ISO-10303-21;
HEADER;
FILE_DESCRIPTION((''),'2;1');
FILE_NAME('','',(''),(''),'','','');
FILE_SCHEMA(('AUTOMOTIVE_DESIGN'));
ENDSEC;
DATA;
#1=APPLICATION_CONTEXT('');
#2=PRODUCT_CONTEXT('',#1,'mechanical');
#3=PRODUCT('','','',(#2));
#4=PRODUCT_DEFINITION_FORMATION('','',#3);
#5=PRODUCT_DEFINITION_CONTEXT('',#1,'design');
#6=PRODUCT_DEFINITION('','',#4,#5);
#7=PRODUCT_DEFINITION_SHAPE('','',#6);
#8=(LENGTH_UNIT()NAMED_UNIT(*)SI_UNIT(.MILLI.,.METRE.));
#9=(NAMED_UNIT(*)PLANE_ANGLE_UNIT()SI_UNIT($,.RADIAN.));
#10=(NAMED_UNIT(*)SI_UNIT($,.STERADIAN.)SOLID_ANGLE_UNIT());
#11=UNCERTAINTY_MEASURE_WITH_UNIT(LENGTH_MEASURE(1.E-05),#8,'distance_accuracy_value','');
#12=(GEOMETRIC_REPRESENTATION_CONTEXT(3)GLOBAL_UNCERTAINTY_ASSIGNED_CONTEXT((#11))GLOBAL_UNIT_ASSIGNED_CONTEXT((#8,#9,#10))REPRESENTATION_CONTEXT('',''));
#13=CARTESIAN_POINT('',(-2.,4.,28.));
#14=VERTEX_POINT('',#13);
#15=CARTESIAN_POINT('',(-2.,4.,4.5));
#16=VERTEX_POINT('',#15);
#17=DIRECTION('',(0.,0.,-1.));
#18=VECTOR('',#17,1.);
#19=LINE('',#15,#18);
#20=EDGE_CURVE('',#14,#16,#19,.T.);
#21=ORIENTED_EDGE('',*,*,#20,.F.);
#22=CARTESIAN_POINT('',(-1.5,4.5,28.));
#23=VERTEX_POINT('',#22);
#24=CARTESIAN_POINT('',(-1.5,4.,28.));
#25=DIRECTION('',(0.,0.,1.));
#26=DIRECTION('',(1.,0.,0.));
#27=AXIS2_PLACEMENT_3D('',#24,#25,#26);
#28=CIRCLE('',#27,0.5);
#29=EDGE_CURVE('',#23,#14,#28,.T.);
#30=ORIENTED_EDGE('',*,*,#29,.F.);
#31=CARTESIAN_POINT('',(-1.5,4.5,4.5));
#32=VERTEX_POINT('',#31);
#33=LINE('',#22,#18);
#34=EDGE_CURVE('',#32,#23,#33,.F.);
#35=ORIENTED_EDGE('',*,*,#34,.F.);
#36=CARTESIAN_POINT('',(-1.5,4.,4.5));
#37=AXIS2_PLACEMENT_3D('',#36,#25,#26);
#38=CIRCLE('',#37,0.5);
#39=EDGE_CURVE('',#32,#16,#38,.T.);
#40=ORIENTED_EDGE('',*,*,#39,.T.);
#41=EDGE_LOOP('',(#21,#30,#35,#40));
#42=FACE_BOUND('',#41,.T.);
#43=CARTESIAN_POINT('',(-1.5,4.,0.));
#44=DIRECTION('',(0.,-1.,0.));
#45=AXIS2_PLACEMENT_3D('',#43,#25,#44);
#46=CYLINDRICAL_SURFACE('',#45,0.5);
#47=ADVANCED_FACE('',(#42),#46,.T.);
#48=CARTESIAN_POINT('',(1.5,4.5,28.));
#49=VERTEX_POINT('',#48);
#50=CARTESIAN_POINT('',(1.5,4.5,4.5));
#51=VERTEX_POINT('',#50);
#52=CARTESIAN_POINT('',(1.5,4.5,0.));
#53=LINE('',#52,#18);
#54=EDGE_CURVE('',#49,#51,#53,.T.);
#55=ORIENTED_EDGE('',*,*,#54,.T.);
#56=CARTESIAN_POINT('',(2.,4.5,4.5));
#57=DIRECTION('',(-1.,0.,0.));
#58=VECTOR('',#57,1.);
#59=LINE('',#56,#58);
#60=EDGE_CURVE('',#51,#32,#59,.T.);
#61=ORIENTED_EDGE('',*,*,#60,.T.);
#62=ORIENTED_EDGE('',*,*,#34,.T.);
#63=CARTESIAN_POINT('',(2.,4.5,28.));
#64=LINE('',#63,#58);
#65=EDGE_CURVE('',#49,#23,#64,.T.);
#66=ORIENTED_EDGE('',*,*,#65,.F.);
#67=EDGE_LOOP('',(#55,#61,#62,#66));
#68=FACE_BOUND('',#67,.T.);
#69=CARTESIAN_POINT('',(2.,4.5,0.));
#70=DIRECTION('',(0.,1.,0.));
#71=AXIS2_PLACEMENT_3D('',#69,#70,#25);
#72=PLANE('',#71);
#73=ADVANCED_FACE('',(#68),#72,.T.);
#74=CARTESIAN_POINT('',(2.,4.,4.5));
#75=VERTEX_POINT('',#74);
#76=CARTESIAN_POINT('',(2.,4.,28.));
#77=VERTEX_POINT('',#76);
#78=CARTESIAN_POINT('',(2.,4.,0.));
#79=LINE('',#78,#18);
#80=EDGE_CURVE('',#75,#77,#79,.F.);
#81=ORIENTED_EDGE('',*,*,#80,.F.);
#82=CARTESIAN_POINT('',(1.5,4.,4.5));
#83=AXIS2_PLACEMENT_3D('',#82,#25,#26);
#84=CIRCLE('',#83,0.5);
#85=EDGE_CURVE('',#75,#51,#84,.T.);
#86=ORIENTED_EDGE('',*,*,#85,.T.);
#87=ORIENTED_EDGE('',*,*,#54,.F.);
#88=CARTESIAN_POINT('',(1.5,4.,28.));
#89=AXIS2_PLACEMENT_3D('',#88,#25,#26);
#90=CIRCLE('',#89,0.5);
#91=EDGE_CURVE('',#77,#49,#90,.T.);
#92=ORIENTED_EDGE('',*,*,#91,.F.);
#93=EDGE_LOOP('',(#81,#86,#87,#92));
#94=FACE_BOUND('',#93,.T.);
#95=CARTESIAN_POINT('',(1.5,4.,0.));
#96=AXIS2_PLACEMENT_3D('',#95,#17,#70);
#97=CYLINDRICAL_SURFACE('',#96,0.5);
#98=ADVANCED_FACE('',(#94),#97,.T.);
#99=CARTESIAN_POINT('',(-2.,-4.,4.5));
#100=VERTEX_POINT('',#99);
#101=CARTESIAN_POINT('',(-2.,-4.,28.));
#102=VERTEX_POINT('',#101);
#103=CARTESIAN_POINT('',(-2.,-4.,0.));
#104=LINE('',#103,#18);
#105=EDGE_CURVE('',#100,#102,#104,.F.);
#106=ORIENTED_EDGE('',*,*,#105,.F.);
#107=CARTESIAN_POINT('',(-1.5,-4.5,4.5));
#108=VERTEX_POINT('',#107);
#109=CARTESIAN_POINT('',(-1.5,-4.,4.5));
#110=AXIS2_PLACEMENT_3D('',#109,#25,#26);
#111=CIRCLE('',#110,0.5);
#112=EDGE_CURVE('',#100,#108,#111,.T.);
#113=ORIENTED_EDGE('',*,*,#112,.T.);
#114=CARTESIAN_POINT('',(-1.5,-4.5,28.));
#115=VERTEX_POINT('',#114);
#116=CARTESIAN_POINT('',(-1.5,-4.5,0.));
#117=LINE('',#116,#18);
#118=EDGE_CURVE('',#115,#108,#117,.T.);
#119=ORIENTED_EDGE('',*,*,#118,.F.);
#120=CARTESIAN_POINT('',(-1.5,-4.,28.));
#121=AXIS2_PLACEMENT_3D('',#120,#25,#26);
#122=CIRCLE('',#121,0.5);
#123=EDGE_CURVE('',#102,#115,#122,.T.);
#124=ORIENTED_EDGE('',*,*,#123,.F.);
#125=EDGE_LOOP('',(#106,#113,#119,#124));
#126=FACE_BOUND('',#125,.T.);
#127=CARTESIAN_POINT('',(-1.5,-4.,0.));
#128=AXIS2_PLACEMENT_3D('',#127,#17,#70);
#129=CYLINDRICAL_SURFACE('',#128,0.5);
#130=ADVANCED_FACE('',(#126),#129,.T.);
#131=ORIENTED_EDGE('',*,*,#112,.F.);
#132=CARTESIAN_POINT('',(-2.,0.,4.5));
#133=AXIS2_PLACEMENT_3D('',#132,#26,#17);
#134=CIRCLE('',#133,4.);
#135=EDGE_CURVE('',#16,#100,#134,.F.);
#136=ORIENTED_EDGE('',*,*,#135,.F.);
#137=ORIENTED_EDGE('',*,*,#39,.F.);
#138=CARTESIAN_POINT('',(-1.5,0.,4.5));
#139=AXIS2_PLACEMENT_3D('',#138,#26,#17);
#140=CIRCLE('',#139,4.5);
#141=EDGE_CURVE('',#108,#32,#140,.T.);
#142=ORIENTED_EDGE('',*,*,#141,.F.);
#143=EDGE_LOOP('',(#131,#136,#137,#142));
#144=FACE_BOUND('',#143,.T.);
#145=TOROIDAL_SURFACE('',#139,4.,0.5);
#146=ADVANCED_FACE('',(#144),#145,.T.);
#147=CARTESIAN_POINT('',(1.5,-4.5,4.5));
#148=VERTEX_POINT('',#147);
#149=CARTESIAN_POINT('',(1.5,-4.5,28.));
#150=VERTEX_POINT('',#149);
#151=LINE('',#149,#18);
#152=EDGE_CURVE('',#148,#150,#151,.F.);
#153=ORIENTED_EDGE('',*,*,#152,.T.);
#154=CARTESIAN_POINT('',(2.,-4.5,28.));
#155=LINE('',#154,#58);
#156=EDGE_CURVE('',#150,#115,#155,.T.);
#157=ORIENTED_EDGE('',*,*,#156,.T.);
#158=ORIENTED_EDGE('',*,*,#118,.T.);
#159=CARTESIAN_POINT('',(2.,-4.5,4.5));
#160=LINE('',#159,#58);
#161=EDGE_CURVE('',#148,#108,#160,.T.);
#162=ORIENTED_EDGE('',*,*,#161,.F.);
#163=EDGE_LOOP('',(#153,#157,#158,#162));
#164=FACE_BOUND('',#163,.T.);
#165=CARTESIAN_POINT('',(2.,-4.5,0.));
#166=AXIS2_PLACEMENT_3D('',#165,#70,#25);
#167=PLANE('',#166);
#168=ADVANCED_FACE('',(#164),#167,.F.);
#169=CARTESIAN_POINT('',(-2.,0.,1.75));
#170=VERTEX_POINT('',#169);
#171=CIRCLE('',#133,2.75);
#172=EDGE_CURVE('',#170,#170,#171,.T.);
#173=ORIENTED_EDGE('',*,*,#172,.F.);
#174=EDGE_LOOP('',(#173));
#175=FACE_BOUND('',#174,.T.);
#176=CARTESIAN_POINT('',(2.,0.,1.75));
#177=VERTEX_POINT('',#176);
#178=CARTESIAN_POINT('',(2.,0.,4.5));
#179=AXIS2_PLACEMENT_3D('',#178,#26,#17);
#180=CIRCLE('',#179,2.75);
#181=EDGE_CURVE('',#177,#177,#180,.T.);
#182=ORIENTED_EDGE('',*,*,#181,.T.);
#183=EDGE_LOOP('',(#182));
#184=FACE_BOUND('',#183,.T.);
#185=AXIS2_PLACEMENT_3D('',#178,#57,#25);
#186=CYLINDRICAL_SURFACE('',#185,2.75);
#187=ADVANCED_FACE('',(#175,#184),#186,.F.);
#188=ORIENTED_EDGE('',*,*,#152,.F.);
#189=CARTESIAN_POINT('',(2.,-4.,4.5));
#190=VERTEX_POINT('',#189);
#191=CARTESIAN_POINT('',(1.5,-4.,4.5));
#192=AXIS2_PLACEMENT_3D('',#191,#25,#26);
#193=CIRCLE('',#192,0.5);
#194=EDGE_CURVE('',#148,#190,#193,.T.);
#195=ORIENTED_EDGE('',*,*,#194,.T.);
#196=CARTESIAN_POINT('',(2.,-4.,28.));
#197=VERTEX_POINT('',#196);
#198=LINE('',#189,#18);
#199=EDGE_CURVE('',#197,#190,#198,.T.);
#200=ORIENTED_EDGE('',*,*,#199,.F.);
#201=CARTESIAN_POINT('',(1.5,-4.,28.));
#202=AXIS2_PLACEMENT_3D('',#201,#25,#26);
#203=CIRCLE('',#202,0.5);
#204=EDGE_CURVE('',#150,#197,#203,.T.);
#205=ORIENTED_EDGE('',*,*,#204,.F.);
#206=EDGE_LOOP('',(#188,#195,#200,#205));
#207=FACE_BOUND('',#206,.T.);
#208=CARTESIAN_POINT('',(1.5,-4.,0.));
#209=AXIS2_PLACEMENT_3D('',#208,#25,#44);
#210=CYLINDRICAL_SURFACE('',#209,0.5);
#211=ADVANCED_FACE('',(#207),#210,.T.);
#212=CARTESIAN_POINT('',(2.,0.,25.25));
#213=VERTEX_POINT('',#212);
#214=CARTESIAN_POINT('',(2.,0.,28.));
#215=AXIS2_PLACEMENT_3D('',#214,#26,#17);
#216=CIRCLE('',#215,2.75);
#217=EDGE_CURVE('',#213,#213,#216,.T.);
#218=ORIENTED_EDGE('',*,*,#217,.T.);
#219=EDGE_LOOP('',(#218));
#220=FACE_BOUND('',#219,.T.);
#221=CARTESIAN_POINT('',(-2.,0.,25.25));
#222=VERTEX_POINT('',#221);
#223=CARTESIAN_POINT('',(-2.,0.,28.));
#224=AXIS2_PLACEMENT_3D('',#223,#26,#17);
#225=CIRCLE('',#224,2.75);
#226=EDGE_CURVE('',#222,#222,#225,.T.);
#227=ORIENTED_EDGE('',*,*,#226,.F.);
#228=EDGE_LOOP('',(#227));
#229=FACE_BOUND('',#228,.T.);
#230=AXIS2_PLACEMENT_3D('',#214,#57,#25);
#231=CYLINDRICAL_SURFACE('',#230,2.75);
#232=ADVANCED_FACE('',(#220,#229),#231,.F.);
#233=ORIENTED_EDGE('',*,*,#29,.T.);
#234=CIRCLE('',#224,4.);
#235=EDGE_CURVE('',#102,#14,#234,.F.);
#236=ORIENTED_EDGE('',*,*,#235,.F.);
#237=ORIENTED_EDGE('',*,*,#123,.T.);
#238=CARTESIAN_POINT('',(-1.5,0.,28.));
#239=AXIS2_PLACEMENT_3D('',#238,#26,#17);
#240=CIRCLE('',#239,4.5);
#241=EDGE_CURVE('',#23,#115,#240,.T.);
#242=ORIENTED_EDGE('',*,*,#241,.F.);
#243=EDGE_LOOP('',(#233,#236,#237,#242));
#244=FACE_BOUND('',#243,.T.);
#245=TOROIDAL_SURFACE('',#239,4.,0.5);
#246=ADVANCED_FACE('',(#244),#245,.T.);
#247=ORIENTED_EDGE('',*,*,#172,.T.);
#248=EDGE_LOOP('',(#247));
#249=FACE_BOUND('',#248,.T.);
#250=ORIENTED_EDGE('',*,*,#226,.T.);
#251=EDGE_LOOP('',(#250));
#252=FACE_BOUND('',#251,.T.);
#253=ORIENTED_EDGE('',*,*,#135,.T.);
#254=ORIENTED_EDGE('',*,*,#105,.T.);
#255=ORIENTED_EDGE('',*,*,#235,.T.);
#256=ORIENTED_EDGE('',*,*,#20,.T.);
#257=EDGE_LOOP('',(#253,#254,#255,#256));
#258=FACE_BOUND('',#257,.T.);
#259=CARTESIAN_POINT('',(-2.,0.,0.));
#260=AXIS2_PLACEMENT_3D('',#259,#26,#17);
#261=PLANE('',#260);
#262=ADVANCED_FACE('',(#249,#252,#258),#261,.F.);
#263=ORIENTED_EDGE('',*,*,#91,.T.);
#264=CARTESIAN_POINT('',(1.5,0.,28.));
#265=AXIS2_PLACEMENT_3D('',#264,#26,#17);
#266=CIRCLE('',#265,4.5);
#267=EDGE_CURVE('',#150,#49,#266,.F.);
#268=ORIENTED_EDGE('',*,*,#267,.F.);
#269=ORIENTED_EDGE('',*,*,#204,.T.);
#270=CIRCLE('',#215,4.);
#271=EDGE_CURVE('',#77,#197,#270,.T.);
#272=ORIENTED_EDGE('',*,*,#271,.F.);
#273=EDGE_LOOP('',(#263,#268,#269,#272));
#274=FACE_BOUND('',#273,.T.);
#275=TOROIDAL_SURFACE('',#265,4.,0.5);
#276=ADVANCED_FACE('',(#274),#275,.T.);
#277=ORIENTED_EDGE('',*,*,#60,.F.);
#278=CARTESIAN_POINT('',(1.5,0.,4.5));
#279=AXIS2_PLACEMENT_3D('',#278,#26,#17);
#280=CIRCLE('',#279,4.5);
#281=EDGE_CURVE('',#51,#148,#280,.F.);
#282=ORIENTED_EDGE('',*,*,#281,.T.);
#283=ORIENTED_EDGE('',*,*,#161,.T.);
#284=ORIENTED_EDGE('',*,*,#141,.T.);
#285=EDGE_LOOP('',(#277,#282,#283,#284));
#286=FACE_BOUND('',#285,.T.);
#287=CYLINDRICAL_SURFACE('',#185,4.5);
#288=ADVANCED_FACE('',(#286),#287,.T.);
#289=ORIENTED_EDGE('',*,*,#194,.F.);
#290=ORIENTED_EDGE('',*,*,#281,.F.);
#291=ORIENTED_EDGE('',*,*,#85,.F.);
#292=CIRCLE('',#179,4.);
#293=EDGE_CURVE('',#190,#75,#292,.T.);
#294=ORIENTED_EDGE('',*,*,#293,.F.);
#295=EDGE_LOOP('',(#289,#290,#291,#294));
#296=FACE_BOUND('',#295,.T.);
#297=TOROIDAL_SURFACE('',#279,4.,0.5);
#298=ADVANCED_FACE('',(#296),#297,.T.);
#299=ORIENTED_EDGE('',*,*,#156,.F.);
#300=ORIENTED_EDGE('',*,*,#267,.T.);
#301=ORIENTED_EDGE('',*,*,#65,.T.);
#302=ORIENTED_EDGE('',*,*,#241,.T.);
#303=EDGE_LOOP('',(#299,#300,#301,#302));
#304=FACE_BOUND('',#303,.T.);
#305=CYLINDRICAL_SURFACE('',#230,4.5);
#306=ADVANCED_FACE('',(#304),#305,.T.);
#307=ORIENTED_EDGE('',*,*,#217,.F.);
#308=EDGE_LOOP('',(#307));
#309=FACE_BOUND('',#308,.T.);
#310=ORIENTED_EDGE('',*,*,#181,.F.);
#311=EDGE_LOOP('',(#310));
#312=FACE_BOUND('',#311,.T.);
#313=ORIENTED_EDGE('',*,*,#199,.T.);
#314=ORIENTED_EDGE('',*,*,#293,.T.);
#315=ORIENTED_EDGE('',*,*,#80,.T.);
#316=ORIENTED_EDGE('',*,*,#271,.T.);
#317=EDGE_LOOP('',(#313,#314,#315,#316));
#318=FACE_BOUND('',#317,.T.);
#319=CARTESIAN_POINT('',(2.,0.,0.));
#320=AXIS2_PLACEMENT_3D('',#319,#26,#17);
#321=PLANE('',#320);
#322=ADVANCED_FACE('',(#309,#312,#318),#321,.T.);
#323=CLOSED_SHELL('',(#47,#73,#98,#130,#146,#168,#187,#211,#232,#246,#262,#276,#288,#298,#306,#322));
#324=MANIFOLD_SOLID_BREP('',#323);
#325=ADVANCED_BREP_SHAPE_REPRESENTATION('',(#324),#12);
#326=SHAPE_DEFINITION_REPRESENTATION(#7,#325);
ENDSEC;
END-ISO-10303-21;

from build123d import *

# Parameters (mm, degrees)
CROQUIS1_R              = 2.75
SALIENTE_EXTRUIR4_DEPTH = 2
REDONDEO1_R             = 0.5


with BuildPart() as part:
    # Croquis1 → Saliente-Extruir4 (new, symmetric)
    with BuildSketch(Plane.YZ):
        with BuildLine():
            ThreePointArc((0, 32.5), (-3.181980515, 31.181980515), (-4.5, 28))
            Line((-4.5, 28), (-4.5, 15))
            Line((-4.5, 15), (-4.5, 9))
            Line((-4.5, 9), (-4.5, 4.5))
            ThreePointArc((-4.5, 4.5), (-3.181980515, 1.318019485), (0, 0))
            ThreePointArc((0, 0), (3.181980515, 1.318019485), (4.5, 4.5))
            Line((4.5, 4.5), (4.5, 9))
            Line((4.5, 9), (4.5, 15))
            Line((4.5, 15), (4.5, 28))
            ThreePointArc((4.5, 28), (3.181980515, 31.181980515), (0, 32.5))
        make_face()
        with Locations(Location((0, 4.5, 0), (0, 0, 270))):
            Circle(CROQUIS1_R, mode=Mode.SUBTRACT)
        with Locations(Location((0, 28, 0), (0, 0, 270))):
            Circle(CROQUIS1_R, mode=Mode.SUBTRACT)
    extrude(amount=SALIENTE_EXTRUIR4_DEPTH, both=True)

    # Redondeo1
    redondeo1_edges = [part.edges().sort_by_distance(p)[0] for p in [
        (-2, -4.5, 16.25),
        (2, -4.5, 16.25),
        (2, 0, 0),
        (2, 4.5, 16.25),
        (2, 0, 32.5),
        (-2, 0, 32.5),
        (-2, 4.5, 16.25),
        (-2, 0, 0),
    ]]
    fillet(redondeo1_edges, radius=REDONDEO1_R)


solid = part.part
